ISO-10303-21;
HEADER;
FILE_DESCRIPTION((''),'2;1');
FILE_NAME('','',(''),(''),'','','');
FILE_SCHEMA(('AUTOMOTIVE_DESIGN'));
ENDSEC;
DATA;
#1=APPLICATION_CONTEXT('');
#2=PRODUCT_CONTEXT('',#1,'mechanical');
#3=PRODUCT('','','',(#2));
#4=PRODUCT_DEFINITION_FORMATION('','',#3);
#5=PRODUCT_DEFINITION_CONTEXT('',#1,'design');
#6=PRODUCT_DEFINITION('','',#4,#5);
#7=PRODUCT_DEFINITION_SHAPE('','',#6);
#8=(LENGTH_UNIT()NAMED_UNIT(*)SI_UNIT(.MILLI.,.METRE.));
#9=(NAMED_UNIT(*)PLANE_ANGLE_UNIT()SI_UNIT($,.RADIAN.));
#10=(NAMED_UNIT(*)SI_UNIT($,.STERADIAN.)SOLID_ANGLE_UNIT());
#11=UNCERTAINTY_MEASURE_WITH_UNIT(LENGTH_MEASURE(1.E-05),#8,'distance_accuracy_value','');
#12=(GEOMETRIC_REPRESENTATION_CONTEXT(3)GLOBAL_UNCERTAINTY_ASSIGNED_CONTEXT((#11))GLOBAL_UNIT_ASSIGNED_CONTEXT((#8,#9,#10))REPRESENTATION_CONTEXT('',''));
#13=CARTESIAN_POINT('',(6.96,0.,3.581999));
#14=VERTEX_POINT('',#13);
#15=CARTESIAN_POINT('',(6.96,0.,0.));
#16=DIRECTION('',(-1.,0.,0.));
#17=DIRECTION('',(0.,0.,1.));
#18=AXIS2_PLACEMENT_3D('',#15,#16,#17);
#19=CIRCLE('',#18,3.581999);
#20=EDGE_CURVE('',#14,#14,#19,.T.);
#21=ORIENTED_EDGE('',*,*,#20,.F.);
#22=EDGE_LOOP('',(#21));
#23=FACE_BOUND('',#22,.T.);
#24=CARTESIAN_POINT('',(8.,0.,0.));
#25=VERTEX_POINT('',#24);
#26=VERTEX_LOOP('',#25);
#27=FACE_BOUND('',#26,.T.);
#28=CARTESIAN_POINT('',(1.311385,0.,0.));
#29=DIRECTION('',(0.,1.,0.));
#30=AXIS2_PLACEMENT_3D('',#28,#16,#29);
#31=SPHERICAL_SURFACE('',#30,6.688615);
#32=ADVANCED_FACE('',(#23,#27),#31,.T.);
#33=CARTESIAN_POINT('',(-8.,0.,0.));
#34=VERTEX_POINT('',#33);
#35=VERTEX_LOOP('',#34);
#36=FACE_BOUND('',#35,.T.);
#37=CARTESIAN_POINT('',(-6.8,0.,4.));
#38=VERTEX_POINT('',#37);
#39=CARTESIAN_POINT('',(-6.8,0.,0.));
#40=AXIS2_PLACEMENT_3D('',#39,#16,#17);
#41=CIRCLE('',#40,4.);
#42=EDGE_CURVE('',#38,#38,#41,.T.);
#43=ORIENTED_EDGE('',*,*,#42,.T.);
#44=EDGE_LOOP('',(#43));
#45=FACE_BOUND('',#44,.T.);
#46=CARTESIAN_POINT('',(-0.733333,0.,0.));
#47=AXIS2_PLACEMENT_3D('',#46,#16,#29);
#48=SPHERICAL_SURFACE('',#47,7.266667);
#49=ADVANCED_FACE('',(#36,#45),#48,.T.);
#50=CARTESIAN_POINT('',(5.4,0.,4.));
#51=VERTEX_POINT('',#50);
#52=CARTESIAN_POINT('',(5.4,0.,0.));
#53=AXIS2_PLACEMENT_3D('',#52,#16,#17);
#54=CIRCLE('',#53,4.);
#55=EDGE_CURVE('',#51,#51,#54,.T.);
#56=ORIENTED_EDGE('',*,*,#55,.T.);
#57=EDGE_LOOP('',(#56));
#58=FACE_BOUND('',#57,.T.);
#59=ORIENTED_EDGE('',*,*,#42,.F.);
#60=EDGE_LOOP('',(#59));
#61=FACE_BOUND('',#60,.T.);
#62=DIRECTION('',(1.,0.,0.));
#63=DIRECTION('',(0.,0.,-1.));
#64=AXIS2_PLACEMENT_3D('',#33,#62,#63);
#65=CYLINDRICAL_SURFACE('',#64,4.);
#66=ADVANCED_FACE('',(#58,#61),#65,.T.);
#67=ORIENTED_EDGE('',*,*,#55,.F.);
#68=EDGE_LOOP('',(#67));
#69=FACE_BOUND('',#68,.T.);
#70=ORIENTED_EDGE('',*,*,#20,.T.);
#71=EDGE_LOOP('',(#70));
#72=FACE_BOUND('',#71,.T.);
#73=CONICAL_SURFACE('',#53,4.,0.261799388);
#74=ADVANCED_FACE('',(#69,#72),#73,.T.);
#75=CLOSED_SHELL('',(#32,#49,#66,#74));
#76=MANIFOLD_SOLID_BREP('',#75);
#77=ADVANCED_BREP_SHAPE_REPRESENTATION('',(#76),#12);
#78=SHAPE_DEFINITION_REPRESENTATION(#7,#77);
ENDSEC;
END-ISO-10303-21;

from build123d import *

# Parameters (mm, degrees)
EXTRUDE1_DEPTH      = 8
EXTRUDE1_DEPTH_BACK = 8
SKETCH2_R           = 4


with BuildPart() as part:
    # Sketch2 → Extrude1 (new, two sides: drawn at the far end of the back side and taken through both)
    with BuildSketch(Plane(origin=(0, 0, 0), x_dir=(0, 0, -1), z_dir=(1, 0, 0)).offset(-EXTRUDE1_DEPTH_BACK)):
        Circle(SKETCH2_R)
    extrude(amount=EXTRUDE1_DEPTH + EXTRUDE1_DEPTH_BACK)

    # Sketch5 → Cut-Revolve1 (revolve, cut)
    with BuildSketch(Plane.XY, mode=Mode.PRIVATE) as cut_revolve1_sk:
        with BuildLine():
            Line((5.4, 4), (5.4, 4.5))
            Line((5.4, 4.5), (8.5, 4.5))
            Line((8.5, 4.5), (8.5, 0))
            Line((8.5, 0), (8, 0))
            ThreePointArc((8, 0), (7.734740106, 1.864961038), (6.96, 3.58199926))
            Line((6.96, 3.58199926), (5.4, 4))
        make_face()
        with BuildLine():
            Line((-6.8, 4), (-6.8, 4.5))
            Line((-6.8, 4.5), (-8.5, 4.5))
            Line((-8.5, 4.5), (-8.5, 0))
            Line((-8.5, 0), (-8, 0))
            ThreePointArc((-8, 0), (-7.693537673, 2.088061302), (-6.8, 4))
        make_face()
    revolve(cut_revolve1_sk.sketch.rotate(Axis((-8, 0, 0), (1, 0, 0)), 90), axis=Axis((-8, 0, 0), (1, 0, 0)), mode=Mode.SUBTRACT)


solid = part.part
